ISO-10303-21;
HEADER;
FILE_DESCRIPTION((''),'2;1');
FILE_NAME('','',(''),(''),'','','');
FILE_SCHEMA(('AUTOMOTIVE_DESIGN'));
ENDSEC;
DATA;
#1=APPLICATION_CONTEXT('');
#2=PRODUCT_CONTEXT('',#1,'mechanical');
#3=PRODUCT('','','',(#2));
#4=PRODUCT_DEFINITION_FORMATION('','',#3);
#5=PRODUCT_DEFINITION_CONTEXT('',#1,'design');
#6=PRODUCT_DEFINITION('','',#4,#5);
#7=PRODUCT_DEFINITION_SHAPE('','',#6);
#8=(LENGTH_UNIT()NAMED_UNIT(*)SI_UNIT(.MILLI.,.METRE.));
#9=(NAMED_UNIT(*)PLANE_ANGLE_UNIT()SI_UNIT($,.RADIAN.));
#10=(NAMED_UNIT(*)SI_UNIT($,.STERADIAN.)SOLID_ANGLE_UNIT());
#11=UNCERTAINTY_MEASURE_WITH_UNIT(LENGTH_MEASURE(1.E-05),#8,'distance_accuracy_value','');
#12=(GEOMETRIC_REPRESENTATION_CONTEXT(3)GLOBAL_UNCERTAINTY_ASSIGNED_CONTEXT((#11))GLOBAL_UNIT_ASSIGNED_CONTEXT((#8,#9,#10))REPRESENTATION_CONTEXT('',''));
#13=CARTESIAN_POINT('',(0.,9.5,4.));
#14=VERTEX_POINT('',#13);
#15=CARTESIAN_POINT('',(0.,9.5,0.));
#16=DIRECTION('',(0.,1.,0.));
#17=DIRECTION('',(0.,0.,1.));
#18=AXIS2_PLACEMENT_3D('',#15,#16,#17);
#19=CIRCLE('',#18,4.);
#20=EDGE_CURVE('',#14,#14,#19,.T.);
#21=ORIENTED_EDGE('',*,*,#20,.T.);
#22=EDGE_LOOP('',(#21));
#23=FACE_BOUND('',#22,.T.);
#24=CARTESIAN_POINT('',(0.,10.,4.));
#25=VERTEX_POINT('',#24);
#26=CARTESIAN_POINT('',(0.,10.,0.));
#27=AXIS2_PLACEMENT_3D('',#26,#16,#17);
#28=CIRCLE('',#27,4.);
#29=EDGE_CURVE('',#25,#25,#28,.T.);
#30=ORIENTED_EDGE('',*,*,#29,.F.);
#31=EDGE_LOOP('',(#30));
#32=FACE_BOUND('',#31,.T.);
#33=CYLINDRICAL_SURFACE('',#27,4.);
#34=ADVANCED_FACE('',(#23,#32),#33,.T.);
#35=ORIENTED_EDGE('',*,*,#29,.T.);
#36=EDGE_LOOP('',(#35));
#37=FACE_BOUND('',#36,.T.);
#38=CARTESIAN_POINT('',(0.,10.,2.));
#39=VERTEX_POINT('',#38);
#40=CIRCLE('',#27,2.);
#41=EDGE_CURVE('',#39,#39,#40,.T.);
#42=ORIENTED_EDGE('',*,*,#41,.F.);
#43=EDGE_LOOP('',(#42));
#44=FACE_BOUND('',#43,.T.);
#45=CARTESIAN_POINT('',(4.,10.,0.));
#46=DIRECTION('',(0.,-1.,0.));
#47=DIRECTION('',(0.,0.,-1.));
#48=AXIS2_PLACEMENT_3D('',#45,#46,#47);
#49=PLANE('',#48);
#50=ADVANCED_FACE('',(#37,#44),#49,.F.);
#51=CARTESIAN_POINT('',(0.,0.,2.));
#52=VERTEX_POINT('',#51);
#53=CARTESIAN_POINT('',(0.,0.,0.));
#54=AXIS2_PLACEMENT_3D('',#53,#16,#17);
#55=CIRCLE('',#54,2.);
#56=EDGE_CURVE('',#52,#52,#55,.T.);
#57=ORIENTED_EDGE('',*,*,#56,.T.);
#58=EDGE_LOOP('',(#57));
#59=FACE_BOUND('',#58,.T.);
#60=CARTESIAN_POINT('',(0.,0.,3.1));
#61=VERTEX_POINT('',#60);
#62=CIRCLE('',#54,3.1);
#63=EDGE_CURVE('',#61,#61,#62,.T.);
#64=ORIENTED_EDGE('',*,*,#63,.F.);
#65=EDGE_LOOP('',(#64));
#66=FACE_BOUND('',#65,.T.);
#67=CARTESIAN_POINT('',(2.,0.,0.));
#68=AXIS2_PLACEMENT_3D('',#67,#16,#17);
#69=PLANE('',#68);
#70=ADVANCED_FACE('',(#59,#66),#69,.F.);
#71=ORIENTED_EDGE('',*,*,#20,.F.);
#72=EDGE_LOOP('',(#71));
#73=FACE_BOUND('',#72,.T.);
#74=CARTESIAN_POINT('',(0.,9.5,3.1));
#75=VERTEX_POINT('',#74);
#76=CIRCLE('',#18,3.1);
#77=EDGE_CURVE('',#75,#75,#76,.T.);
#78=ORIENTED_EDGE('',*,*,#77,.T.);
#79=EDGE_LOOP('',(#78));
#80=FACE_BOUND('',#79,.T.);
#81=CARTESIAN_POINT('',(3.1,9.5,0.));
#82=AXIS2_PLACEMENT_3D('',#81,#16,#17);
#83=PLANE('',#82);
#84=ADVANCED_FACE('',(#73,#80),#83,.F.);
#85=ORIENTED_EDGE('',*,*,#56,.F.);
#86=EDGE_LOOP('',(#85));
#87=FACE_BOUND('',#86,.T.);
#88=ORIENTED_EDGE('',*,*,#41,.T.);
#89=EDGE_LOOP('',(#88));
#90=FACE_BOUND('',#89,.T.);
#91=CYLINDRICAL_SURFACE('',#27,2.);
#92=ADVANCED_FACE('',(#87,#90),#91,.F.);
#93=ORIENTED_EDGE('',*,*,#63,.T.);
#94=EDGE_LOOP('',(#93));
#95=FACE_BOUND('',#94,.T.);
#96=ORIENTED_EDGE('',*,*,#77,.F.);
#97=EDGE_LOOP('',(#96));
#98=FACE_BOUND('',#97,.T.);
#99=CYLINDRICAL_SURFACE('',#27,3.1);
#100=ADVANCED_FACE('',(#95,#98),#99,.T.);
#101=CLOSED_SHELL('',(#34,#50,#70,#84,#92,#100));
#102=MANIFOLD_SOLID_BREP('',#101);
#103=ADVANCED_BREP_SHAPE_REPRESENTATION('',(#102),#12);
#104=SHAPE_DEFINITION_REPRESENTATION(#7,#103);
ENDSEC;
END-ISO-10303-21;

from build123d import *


with BuildPart() as part:
    # Sketch1 → Revolve1 (revolve)
    with BuildSketch(Plane.XY):
        Polygon((3.1, 0), (3.1, 9.5), (4, 9.5), (4, 10), (2, 10), (2, 0), align=None)
    revolve(axis=Axis((0, 10, 0), (0, -1, 0)))


solid = part.part
